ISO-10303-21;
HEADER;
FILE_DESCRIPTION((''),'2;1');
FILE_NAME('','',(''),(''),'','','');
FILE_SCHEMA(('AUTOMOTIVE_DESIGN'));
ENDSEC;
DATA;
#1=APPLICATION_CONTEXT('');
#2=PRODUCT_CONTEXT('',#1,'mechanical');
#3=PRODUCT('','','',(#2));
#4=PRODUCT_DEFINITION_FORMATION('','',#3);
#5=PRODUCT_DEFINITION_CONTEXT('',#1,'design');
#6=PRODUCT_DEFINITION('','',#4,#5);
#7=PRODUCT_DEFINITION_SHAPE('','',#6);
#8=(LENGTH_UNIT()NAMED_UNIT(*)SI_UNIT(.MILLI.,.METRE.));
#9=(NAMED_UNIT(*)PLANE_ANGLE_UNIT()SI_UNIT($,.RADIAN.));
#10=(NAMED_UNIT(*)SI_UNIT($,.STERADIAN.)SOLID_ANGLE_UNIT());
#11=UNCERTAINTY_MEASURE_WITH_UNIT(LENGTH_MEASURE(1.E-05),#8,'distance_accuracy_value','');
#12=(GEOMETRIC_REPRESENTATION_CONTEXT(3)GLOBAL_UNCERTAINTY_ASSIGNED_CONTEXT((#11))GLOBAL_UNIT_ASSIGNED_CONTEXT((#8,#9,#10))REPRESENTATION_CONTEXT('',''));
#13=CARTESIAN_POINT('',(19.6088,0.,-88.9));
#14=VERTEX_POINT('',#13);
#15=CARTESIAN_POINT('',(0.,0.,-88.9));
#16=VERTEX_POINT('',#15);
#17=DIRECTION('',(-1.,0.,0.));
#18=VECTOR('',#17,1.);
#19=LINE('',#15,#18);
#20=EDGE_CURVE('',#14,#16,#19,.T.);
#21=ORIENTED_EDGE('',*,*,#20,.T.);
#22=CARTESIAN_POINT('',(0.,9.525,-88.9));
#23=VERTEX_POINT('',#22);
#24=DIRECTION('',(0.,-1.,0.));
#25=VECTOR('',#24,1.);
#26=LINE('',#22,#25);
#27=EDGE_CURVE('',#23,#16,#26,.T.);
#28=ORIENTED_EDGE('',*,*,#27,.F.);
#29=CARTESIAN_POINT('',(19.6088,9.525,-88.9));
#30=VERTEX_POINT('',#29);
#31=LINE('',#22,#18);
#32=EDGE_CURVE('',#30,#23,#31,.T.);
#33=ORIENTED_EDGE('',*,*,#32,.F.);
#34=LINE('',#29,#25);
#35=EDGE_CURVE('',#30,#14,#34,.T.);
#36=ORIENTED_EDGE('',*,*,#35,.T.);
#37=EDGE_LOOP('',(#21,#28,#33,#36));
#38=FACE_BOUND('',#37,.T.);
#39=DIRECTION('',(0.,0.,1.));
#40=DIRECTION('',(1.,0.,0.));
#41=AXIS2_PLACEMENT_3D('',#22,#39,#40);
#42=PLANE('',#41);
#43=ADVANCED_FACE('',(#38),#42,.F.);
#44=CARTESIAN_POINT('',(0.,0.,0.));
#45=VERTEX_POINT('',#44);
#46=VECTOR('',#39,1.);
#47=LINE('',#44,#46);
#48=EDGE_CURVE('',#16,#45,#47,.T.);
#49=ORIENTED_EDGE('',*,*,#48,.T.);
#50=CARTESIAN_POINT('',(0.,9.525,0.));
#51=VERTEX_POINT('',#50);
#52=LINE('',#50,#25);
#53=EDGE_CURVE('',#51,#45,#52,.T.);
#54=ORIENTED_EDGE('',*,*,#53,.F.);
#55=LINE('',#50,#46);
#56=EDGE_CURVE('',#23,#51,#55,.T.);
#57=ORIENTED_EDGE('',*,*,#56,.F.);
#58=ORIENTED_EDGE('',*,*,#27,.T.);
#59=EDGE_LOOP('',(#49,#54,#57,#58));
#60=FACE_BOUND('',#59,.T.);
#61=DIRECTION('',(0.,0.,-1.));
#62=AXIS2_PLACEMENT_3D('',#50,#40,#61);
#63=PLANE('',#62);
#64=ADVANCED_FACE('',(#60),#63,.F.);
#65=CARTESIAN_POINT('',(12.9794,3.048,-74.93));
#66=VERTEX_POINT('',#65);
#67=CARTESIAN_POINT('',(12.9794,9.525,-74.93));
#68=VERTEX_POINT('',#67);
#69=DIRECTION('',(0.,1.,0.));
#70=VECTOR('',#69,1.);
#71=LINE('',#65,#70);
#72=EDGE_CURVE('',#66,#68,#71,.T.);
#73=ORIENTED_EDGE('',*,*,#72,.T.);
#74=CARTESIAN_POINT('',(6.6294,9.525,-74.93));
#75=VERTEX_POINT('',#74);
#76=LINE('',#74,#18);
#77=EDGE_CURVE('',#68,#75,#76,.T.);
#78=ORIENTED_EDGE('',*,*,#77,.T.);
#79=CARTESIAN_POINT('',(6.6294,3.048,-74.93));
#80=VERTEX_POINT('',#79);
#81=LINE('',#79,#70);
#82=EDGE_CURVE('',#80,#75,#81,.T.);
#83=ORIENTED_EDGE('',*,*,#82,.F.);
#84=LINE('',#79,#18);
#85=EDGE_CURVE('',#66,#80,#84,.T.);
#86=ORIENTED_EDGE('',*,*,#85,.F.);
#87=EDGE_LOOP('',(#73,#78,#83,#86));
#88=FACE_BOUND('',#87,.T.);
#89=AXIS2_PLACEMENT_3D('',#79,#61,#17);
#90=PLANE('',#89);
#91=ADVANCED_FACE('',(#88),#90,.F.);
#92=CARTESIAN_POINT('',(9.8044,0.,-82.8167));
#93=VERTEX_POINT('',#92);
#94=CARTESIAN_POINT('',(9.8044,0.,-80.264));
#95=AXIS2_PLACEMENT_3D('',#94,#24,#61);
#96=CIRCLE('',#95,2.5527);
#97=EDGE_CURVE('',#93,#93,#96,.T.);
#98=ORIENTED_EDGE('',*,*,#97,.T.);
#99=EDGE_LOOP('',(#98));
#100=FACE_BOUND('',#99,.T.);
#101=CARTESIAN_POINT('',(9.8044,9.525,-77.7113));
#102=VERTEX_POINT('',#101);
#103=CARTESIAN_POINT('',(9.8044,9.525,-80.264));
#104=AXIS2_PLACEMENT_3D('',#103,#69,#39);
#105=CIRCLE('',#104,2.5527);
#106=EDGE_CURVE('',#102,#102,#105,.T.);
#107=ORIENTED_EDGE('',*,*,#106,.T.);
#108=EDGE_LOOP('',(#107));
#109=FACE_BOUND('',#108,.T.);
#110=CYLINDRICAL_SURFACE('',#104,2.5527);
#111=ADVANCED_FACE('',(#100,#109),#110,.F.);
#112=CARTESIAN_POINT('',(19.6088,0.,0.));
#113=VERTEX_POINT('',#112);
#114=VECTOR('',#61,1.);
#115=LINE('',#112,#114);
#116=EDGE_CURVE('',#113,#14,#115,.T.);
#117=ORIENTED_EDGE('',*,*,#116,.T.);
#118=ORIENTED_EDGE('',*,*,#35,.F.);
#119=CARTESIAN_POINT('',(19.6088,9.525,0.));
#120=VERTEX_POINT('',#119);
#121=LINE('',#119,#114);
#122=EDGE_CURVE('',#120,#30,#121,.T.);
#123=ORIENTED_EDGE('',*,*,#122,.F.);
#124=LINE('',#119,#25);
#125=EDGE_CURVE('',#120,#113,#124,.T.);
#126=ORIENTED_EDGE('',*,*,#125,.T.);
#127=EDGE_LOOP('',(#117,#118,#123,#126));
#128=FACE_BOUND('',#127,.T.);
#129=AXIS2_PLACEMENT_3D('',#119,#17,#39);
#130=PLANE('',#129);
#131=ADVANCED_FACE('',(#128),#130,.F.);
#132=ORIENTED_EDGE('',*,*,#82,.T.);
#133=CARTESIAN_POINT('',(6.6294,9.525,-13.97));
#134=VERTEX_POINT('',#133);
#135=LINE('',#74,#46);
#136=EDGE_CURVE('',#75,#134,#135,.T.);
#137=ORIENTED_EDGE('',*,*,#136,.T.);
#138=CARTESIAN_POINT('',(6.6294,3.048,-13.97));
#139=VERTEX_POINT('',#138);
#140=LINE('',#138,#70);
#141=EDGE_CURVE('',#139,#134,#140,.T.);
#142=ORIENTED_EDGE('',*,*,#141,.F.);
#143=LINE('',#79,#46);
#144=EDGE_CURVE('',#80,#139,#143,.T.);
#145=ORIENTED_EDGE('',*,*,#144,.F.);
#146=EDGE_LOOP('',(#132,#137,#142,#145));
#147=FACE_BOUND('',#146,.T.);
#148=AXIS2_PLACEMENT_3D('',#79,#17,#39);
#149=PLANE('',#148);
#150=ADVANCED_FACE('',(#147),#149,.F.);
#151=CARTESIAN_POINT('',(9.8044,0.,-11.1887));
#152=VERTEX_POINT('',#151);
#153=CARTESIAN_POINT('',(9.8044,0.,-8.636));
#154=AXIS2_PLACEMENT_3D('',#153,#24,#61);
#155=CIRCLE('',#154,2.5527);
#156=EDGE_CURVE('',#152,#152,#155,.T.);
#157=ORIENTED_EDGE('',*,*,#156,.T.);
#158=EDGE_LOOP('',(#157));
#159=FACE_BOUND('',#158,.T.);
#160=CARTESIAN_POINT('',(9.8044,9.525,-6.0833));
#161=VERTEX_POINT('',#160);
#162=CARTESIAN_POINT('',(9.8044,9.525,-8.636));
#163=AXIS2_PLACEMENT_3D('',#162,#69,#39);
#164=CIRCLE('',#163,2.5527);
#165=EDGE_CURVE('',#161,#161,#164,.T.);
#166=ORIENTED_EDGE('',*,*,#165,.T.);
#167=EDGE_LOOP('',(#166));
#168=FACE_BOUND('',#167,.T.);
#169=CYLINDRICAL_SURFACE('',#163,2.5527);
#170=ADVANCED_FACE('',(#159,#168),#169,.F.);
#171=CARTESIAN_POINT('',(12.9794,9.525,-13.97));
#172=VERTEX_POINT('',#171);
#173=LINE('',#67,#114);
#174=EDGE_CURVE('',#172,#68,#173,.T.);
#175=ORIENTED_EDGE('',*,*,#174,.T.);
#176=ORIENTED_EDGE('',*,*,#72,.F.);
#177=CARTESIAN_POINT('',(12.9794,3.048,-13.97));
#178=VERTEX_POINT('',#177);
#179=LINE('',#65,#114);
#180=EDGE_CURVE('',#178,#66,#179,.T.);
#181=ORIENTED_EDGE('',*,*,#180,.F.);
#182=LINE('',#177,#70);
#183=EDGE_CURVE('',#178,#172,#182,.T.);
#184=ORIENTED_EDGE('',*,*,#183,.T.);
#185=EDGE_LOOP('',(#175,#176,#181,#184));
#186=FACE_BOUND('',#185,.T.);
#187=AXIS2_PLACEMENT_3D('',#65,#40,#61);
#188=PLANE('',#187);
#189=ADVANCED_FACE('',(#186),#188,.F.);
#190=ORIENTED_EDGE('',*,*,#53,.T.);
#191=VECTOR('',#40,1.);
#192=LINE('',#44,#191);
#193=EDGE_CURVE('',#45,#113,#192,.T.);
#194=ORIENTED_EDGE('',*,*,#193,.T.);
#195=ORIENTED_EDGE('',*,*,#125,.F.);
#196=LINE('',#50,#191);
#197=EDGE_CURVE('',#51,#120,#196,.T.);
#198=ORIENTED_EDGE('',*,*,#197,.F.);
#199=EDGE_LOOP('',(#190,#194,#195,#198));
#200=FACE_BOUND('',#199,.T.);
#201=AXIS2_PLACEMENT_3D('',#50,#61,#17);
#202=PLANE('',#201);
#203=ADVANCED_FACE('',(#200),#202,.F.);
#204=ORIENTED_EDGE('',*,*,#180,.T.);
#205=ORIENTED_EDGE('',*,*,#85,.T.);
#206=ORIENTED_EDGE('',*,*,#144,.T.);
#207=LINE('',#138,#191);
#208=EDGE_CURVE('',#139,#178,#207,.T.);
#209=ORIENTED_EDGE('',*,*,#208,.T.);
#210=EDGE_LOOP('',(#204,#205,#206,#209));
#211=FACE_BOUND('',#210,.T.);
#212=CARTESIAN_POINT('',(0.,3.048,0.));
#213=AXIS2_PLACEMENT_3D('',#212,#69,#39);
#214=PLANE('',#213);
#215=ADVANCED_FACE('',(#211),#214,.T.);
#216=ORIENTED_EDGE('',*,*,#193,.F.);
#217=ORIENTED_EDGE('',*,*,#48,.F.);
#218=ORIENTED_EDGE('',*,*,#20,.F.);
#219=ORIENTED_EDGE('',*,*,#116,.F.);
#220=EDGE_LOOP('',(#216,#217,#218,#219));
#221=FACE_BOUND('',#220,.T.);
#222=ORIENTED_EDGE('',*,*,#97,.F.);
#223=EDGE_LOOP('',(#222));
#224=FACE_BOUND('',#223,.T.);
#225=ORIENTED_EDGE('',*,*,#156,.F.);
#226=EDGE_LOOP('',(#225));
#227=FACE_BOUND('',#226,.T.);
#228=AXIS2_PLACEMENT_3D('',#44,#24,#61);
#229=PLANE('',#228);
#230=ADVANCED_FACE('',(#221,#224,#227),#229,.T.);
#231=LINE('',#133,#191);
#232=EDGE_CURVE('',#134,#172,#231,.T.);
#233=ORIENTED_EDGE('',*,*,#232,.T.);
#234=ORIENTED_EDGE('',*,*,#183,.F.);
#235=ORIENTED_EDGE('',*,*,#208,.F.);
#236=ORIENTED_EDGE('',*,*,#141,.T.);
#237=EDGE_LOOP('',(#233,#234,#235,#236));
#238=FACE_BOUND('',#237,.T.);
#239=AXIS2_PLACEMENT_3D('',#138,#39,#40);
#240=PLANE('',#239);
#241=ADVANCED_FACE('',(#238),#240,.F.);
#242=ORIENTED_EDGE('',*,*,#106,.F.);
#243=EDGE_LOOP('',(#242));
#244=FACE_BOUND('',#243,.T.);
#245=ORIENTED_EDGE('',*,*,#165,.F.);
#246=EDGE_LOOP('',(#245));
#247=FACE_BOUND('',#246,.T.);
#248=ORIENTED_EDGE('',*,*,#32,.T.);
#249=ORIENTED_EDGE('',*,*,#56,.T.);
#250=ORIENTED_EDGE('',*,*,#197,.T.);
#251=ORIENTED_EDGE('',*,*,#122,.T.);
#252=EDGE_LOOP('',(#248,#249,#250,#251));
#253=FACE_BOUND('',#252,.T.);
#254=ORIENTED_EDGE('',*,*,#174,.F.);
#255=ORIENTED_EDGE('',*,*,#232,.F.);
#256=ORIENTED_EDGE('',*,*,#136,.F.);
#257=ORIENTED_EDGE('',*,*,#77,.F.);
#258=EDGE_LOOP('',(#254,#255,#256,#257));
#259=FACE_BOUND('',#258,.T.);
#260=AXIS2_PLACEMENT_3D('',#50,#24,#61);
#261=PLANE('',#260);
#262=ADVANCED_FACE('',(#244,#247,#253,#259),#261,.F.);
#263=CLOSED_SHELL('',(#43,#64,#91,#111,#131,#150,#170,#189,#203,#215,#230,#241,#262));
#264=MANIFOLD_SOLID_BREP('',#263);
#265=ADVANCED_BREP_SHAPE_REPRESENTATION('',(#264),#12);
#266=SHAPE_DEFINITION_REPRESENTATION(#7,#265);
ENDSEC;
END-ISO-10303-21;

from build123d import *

# Parameters (mm, degrees)
SKETCH1_W                  = 19.6088
SKETCH1_H                  = 88.9
SKETCH1_R                  = 2.54
BOSS_EXTRUDE1_DEPTH        = 9.525
SKETCH2_W                  = 6.35
SKETCH2_H                  = 60.96
CUT_EXTRUDE1_DEPTH         = 6.477
F_10_32_TAPPED_HOLE4_D     = 5.1054
F_10_32_TAPPED_HOLE4_DEPTH = 16.51
F_10_32_TAPPED_HOLE4_TIP   = 1.533816902


with BuildPart() as part:
    # Sketch1 → Boss-Extrude1 (new body)
    with BuildSketch(Plane(origin=(0, 0, 0), x_dir=(1, 0, 0), z_dir=(0, 1, 0))):
        with Locations((9.8044, 44.45)):
            Rectangle(SKETCH1_W, SKETCH1_H)
        with Locations((9.8044, 80.264)):
            Circle(SKETCH1_R, mode=Mode.SUBTRACT)
        with Locations((9.8044, 8.636)):
            Circle(SKETCH1_R, mode=Mode.SUBTRACT)
    extrude(amount=BOSS_EXTRUDE1_DEPTH)

    # Sketch2 → Cut-Extrude1 (cut)
    with BuildSketch(Plane(origin=(0, 9.525, 0), x_dir=(1, 0, 0), z_dir=(0, 1, 0))):
        with Locations((9.8044, 44.45)):
            Rectangle(SKETCH2_W, SKETCH2_H)
    extrude(amount=-CUT_EXTRUDE1_DEPTH, mode=Mode.SUBTRACT)

    # #10-32 Tapped Hole4
    with Locations(Plane(origin=(0, 9.525, 0), x_dir=(1, 0, 0), z_dir=(0, 1, 0))):
        with Locations((9.8044, 80.264), (9.8044, 8.636)):
            Hole(F_10_32_TAPPED_HOLE4_D / 2, depth=F_10_32_TAPPED_HOLE4_DEPTH)
            with Locations((0, 0, -(F_10_32_TAPPED_HOLE4_DEPTH + F_10_32_TAPPED_HOLE4_TIP / 2))):  # 118° drill point
                Cone(0, F_10_32_TAPPED_HOLE4_D / 2, F_10_32_TAPPED_HOLE4_TIP, mode=Mode.SUBTRACT)


solid = part.part
